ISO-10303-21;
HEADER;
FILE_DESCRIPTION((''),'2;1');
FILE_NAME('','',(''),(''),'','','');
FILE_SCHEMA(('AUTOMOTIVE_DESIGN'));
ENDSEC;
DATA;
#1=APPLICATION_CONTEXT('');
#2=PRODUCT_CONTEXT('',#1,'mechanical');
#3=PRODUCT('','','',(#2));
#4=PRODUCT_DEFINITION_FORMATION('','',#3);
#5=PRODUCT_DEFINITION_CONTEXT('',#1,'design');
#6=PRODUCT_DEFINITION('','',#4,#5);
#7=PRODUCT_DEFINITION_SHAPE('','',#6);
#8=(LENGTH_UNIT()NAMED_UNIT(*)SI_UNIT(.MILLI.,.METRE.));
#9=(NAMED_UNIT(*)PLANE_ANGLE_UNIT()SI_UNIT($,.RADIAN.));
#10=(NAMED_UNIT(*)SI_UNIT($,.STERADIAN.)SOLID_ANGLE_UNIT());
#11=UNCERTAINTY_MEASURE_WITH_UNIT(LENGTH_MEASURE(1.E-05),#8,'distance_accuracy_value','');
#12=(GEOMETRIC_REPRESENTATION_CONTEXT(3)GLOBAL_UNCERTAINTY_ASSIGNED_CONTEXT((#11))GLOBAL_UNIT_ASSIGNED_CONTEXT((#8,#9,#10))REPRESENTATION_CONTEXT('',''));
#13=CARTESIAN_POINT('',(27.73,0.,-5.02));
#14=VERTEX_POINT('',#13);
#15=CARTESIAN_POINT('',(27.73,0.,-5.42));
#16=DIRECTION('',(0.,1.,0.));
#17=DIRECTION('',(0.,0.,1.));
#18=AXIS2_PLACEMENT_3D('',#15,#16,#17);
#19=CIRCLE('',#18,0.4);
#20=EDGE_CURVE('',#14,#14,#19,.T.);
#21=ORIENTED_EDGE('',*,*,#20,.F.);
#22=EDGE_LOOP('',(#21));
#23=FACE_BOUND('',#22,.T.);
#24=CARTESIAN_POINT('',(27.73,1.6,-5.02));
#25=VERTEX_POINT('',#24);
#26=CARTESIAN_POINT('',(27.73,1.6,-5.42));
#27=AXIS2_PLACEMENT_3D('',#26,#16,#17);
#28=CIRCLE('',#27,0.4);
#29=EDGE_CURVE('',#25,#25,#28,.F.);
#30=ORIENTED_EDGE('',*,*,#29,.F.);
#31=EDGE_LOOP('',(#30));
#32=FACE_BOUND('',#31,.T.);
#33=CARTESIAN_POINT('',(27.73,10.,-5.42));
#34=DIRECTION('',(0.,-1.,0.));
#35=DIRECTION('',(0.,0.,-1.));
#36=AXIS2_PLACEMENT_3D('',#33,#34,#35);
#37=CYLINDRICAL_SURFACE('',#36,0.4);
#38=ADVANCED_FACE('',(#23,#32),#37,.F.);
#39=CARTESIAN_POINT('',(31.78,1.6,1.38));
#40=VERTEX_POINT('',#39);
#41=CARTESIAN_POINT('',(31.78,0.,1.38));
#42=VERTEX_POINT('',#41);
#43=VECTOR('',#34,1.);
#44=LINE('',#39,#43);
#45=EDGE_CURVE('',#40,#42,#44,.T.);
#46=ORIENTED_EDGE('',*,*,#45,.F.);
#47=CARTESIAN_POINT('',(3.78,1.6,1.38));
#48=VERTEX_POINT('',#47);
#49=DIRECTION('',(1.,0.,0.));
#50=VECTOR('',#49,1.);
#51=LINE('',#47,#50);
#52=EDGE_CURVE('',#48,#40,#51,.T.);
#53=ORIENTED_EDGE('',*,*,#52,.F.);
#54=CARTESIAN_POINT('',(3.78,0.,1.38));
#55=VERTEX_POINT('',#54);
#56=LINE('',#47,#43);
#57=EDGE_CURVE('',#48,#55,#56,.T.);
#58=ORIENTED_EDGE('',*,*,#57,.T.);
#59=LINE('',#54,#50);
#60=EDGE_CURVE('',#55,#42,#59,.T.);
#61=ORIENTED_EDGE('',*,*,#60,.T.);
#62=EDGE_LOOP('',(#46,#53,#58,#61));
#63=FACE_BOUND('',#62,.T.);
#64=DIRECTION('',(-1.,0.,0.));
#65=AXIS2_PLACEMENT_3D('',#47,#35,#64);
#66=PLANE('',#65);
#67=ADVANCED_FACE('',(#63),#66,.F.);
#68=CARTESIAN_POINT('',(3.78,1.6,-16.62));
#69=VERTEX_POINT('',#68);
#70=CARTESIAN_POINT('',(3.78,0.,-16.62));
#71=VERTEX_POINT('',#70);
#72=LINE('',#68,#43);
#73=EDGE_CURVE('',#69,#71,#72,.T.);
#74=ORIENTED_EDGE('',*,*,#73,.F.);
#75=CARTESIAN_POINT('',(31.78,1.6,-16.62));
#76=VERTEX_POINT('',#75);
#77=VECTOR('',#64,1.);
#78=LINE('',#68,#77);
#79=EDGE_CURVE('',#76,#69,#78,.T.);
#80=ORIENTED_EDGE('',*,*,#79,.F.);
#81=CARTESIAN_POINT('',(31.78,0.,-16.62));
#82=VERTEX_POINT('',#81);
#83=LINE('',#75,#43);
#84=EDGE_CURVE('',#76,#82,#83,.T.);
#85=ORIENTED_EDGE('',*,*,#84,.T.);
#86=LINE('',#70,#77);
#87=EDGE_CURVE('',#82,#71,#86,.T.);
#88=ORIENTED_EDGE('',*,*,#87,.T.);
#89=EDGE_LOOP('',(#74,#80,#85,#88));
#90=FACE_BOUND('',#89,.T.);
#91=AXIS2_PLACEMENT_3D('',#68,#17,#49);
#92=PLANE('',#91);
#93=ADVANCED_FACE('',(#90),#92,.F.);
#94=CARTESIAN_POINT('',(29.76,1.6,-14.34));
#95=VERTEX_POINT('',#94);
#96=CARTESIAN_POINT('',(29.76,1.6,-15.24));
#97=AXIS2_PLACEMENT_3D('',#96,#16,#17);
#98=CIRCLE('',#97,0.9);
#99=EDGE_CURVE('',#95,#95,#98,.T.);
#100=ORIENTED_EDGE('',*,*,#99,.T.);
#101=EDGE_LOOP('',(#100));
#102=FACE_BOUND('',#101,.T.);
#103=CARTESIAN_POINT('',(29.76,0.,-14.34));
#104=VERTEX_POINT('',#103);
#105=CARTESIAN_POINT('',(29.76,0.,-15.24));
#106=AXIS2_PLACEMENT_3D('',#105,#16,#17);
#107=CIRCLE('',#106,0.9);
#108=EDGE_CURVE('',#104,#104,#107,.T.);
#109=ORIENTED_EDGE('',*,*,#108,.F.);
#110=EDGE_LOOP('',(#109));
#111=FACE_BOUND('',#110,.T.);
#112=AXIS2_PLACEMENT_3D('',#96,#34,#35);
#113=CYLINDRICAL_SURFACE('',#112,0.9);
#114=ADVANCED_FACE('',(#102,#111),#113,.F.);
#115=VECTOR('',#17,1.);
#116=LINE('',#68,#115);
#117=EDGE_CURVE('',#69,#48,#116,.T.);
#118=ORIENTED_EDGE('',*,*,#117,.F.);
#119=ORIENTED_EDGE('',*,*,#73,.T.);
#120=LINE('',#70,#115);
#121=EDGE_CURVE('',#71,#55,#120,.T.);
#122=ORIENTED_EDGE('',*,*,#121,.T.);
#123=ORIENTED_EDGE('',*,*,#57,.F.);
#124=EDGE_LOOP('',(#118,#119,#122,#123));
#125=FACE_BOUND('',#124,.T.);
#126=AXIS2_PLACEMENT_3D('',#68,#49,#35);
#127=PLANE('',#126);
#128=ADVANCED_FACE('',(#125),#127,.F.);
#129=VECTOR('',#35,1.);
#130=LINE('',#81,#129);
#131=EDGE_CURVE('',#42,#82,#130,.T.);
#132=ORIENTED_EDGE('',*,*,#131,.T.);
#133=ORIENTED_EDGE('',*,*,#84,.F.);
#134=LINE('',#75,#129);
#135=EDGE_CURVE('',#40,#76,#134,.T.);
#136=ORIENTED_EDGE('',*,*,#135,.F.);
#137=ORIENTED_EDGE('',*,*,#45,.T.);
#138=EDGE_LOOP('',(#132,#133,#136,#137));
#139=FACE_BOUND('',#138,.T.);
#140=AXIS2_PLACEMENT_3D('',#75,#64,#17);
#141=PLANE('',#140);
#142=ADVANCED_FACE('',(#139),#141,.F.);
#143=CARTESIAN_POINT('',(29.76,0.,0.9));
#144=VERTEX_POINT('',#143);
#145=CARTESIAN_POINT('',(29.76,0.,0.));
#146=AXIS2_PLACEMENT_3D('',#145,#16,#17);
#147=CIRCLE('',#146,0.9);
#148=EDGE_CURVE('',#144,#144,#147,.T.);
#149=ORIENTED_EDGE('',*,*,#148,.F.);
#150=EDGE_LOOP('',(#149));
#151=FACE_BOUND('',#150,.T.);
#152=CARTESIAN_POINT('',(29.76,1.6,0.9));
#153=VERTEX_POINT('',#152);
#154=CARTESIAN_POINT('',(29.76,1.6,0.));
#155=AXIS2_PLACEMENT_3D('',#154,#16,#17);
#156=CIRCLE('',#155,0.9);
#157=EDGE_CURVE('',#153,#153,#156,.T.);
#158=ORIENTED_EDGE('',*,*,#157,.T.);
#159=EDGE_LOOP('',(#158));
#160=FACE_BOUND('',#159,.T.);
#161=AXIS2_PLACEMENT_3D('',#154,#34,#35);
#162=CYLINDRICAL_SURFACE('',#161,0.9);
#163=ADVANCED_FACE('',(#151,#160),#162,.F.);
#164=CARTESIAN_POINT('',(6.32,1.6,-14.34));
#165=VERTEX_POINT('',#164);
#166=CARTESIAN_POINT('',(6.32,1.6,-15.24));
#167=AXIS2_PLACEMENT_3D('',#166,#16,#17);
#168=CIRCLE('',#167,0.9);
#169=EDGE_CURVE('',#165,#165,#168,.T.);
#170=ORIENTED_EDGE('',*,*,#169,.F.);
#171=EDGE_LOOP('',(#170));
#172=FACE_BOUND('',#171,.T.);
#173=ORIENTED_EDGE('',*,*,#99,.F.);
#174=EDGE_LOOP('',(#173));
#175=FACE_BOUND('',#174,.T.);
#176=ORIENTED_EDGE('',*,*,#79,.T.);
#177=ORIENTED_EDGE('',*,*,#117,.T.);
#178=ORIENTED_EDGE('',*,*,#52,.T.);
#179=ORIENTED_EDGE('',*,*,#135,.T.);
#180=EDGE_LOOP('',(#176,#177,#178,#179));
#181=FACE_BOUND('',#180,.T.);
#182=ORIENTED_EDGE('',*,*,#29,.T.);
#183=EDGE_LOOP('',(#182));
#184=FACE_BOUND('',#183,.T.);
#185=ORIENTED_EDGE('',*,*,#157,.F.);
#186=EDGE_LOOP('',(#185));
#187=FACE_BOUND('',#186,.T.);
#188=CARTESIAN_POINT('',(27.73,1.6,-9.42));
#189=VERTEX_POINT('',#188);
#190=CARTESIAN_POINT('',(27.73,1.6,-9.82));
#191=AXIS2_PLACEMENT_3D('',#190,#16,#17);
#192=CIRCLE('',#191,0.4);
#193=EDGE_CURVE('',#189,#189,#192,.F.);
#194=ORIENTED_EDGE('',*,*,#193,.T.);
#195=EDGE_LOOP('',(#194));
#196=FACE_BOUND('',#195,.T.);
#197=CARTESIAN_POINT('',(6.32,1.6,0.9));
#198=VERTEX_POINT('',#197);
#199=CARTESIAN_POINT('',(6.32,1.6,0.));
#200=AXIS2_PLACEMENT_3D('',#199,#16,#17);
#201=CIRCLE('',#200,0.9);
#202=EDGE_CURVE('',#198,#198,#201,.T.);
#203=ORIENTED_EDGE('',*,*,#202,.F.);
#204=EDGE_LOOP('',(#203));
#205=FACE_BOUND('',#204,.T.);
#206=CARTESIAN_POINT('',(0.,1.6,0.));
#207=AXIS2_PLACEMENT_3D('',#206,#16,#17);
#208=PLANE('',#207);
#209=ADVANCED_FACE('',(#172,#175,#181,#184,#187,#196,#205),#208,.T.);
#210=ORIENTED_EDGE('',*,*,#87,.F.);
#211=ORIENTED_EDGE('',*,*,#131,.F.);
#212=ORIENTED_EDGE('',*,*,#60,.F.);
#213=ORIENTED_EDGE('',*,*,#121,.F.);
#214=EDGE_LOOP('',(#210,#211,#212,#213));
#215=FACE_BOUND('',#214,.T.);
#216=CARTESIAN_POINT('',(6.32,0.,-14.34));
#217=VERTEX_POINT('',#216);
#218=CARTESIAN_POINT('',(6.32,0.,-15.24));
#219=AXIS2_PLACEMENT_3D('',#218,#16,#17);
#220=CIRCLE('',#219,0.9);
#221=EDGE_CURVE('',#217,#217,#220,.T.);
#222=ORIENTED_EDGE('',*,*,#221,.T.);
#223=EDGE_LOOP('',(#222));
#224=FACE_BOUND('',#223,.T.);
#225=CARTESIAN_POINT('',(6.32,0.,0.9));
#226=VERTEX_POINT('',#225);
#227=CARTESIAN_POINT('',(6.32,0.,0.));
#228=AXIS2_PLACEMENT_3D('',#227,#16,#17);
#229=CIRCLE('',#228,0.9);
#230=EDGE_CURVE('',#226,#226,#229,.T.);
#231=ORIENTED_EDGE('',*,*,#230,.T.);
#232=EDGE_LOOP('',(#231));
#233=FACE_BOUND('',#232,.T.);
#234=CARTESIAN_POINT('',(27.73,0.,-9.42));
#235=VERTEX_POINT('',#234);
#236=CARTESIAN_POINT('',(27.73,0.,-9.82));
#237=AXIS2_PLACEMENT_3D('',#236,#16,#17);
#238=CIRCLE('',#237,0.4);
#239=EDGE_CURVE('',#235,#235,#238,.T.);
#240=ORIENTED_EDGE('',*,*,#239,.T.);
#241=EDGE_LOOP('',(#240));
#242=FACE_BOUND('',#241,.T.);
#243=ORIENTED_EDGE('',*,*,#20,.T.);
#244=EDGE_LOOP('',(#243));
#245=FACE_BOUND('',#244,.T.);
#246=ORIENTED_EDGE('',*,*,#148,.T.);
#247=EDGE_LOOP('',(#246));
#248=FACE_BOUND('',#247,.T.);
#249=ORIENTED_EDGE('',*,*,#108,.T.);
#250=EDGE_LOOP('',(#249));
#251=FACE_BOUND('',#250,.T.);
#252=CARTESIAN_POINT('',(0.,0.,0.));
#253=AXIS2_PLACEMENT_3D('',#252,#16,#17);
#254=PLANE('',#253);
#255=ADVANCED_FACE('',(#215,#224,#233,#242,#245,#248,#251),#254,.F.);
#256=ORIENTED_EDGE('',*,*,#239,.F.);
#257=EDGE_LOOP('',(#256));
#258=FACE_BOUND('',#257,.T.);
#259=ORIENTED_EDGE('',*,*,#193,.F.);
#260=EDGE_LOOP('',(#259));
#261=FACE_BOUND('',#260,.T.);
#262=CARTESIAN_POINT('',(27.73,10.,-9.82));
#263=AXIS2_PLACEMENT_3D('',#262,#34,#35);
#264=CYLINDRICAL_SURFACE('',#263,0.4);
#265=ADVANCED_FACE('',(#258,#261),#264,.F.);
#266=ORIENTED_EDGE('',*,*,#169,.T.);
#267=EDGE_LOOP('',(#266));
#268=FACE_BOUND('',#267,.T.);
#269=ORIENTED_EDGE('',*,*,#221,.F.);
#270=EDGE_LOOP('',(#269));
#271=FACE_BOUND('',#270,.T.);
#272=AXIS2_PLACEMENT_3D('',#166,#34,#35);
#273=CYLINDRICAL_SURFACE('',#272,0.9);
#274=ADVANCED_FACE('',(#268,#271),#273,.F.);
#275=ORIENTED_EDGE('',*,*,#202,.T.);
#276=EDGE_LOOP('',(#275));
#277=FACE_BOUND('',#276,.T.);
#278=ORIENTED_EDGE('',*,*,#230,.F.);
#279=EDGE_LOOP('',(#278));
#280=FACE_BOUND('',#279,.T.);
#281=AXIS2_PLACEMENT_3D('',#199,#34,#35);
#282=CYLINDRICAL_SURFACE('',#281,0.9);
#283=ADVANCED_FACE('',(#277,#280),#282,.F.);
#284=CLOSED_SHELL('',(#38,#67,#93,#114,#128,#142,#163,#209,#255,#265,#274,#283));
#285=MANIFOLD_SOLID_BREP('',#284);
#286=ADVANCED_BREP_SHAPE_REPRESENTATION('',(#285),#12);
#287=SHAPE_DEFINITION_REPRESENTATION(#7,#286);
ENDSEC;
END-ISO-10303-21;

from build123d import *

# Parameters (mm, degrees)
SKETCH1_W           = 28
SKETCH1_H           = 18
BOSS_EXTRUDE2_DEPTH = 1.6
SKETCH4_R           = 0.9
CUT_EXTRUDE5_DEPTH  = 1.6
SKETCH9_R           = 0.4
CUT_EXTRUDE6_DEPTH  = 10


with BuildPart() as part:
    # Sketch1 → Boss-Extrude2 (new body)
    with BuildSketch(Plane(origin=(0, 0, 0), x_dir=(1, 0, 0), z_dir=(0, 1, 0))):
        with Locations((17.78, 7.62)):
            Rectangle(SKETCH1_W, SKETCH1_H)
    extrude(amount=BOSS_EXTRUDE2_DEPTH)

    # Sketch4 → Cut-Extrude5 (cut)
    with BuildSketch(Plane(origin=(0, 0, 0), x_dir=(1, 0, 0), z_dir=(0, 1, 0))):
        with Locations((29.76, 15.24)):
            Circle(SKETCH4_R)
        with Locations((29.76, 0)):
            Circle(SKETCH4_R)
        with Locations((6.32, 0)):
            Circle(SKETCH4_R)
        with Locations((6.32, 15.24)):
            Circle(SKETCH4_R)
    extrude(amount=CUT_EXTRUDE5_DEPTH, mode=Mode.SUBTRACT)

    # Sketch9 → Cut-Extrude6 (cut)
    with BuildSketch(Plane(origin=(0, 0, 0), x_dir=(1, 0, 0), z_dir=(0, 1, 0))):
        with Locations((27.73, 5.42)):
            Circle(SKETCH9_R)
        with Locations((27.73, 9.82)):
            Circle(SKETCH9_R)
    extrude(amount=CUT_EXTRUDE6_DEPTH, mode=Mode.SUBTRACT)


solid = part.part
